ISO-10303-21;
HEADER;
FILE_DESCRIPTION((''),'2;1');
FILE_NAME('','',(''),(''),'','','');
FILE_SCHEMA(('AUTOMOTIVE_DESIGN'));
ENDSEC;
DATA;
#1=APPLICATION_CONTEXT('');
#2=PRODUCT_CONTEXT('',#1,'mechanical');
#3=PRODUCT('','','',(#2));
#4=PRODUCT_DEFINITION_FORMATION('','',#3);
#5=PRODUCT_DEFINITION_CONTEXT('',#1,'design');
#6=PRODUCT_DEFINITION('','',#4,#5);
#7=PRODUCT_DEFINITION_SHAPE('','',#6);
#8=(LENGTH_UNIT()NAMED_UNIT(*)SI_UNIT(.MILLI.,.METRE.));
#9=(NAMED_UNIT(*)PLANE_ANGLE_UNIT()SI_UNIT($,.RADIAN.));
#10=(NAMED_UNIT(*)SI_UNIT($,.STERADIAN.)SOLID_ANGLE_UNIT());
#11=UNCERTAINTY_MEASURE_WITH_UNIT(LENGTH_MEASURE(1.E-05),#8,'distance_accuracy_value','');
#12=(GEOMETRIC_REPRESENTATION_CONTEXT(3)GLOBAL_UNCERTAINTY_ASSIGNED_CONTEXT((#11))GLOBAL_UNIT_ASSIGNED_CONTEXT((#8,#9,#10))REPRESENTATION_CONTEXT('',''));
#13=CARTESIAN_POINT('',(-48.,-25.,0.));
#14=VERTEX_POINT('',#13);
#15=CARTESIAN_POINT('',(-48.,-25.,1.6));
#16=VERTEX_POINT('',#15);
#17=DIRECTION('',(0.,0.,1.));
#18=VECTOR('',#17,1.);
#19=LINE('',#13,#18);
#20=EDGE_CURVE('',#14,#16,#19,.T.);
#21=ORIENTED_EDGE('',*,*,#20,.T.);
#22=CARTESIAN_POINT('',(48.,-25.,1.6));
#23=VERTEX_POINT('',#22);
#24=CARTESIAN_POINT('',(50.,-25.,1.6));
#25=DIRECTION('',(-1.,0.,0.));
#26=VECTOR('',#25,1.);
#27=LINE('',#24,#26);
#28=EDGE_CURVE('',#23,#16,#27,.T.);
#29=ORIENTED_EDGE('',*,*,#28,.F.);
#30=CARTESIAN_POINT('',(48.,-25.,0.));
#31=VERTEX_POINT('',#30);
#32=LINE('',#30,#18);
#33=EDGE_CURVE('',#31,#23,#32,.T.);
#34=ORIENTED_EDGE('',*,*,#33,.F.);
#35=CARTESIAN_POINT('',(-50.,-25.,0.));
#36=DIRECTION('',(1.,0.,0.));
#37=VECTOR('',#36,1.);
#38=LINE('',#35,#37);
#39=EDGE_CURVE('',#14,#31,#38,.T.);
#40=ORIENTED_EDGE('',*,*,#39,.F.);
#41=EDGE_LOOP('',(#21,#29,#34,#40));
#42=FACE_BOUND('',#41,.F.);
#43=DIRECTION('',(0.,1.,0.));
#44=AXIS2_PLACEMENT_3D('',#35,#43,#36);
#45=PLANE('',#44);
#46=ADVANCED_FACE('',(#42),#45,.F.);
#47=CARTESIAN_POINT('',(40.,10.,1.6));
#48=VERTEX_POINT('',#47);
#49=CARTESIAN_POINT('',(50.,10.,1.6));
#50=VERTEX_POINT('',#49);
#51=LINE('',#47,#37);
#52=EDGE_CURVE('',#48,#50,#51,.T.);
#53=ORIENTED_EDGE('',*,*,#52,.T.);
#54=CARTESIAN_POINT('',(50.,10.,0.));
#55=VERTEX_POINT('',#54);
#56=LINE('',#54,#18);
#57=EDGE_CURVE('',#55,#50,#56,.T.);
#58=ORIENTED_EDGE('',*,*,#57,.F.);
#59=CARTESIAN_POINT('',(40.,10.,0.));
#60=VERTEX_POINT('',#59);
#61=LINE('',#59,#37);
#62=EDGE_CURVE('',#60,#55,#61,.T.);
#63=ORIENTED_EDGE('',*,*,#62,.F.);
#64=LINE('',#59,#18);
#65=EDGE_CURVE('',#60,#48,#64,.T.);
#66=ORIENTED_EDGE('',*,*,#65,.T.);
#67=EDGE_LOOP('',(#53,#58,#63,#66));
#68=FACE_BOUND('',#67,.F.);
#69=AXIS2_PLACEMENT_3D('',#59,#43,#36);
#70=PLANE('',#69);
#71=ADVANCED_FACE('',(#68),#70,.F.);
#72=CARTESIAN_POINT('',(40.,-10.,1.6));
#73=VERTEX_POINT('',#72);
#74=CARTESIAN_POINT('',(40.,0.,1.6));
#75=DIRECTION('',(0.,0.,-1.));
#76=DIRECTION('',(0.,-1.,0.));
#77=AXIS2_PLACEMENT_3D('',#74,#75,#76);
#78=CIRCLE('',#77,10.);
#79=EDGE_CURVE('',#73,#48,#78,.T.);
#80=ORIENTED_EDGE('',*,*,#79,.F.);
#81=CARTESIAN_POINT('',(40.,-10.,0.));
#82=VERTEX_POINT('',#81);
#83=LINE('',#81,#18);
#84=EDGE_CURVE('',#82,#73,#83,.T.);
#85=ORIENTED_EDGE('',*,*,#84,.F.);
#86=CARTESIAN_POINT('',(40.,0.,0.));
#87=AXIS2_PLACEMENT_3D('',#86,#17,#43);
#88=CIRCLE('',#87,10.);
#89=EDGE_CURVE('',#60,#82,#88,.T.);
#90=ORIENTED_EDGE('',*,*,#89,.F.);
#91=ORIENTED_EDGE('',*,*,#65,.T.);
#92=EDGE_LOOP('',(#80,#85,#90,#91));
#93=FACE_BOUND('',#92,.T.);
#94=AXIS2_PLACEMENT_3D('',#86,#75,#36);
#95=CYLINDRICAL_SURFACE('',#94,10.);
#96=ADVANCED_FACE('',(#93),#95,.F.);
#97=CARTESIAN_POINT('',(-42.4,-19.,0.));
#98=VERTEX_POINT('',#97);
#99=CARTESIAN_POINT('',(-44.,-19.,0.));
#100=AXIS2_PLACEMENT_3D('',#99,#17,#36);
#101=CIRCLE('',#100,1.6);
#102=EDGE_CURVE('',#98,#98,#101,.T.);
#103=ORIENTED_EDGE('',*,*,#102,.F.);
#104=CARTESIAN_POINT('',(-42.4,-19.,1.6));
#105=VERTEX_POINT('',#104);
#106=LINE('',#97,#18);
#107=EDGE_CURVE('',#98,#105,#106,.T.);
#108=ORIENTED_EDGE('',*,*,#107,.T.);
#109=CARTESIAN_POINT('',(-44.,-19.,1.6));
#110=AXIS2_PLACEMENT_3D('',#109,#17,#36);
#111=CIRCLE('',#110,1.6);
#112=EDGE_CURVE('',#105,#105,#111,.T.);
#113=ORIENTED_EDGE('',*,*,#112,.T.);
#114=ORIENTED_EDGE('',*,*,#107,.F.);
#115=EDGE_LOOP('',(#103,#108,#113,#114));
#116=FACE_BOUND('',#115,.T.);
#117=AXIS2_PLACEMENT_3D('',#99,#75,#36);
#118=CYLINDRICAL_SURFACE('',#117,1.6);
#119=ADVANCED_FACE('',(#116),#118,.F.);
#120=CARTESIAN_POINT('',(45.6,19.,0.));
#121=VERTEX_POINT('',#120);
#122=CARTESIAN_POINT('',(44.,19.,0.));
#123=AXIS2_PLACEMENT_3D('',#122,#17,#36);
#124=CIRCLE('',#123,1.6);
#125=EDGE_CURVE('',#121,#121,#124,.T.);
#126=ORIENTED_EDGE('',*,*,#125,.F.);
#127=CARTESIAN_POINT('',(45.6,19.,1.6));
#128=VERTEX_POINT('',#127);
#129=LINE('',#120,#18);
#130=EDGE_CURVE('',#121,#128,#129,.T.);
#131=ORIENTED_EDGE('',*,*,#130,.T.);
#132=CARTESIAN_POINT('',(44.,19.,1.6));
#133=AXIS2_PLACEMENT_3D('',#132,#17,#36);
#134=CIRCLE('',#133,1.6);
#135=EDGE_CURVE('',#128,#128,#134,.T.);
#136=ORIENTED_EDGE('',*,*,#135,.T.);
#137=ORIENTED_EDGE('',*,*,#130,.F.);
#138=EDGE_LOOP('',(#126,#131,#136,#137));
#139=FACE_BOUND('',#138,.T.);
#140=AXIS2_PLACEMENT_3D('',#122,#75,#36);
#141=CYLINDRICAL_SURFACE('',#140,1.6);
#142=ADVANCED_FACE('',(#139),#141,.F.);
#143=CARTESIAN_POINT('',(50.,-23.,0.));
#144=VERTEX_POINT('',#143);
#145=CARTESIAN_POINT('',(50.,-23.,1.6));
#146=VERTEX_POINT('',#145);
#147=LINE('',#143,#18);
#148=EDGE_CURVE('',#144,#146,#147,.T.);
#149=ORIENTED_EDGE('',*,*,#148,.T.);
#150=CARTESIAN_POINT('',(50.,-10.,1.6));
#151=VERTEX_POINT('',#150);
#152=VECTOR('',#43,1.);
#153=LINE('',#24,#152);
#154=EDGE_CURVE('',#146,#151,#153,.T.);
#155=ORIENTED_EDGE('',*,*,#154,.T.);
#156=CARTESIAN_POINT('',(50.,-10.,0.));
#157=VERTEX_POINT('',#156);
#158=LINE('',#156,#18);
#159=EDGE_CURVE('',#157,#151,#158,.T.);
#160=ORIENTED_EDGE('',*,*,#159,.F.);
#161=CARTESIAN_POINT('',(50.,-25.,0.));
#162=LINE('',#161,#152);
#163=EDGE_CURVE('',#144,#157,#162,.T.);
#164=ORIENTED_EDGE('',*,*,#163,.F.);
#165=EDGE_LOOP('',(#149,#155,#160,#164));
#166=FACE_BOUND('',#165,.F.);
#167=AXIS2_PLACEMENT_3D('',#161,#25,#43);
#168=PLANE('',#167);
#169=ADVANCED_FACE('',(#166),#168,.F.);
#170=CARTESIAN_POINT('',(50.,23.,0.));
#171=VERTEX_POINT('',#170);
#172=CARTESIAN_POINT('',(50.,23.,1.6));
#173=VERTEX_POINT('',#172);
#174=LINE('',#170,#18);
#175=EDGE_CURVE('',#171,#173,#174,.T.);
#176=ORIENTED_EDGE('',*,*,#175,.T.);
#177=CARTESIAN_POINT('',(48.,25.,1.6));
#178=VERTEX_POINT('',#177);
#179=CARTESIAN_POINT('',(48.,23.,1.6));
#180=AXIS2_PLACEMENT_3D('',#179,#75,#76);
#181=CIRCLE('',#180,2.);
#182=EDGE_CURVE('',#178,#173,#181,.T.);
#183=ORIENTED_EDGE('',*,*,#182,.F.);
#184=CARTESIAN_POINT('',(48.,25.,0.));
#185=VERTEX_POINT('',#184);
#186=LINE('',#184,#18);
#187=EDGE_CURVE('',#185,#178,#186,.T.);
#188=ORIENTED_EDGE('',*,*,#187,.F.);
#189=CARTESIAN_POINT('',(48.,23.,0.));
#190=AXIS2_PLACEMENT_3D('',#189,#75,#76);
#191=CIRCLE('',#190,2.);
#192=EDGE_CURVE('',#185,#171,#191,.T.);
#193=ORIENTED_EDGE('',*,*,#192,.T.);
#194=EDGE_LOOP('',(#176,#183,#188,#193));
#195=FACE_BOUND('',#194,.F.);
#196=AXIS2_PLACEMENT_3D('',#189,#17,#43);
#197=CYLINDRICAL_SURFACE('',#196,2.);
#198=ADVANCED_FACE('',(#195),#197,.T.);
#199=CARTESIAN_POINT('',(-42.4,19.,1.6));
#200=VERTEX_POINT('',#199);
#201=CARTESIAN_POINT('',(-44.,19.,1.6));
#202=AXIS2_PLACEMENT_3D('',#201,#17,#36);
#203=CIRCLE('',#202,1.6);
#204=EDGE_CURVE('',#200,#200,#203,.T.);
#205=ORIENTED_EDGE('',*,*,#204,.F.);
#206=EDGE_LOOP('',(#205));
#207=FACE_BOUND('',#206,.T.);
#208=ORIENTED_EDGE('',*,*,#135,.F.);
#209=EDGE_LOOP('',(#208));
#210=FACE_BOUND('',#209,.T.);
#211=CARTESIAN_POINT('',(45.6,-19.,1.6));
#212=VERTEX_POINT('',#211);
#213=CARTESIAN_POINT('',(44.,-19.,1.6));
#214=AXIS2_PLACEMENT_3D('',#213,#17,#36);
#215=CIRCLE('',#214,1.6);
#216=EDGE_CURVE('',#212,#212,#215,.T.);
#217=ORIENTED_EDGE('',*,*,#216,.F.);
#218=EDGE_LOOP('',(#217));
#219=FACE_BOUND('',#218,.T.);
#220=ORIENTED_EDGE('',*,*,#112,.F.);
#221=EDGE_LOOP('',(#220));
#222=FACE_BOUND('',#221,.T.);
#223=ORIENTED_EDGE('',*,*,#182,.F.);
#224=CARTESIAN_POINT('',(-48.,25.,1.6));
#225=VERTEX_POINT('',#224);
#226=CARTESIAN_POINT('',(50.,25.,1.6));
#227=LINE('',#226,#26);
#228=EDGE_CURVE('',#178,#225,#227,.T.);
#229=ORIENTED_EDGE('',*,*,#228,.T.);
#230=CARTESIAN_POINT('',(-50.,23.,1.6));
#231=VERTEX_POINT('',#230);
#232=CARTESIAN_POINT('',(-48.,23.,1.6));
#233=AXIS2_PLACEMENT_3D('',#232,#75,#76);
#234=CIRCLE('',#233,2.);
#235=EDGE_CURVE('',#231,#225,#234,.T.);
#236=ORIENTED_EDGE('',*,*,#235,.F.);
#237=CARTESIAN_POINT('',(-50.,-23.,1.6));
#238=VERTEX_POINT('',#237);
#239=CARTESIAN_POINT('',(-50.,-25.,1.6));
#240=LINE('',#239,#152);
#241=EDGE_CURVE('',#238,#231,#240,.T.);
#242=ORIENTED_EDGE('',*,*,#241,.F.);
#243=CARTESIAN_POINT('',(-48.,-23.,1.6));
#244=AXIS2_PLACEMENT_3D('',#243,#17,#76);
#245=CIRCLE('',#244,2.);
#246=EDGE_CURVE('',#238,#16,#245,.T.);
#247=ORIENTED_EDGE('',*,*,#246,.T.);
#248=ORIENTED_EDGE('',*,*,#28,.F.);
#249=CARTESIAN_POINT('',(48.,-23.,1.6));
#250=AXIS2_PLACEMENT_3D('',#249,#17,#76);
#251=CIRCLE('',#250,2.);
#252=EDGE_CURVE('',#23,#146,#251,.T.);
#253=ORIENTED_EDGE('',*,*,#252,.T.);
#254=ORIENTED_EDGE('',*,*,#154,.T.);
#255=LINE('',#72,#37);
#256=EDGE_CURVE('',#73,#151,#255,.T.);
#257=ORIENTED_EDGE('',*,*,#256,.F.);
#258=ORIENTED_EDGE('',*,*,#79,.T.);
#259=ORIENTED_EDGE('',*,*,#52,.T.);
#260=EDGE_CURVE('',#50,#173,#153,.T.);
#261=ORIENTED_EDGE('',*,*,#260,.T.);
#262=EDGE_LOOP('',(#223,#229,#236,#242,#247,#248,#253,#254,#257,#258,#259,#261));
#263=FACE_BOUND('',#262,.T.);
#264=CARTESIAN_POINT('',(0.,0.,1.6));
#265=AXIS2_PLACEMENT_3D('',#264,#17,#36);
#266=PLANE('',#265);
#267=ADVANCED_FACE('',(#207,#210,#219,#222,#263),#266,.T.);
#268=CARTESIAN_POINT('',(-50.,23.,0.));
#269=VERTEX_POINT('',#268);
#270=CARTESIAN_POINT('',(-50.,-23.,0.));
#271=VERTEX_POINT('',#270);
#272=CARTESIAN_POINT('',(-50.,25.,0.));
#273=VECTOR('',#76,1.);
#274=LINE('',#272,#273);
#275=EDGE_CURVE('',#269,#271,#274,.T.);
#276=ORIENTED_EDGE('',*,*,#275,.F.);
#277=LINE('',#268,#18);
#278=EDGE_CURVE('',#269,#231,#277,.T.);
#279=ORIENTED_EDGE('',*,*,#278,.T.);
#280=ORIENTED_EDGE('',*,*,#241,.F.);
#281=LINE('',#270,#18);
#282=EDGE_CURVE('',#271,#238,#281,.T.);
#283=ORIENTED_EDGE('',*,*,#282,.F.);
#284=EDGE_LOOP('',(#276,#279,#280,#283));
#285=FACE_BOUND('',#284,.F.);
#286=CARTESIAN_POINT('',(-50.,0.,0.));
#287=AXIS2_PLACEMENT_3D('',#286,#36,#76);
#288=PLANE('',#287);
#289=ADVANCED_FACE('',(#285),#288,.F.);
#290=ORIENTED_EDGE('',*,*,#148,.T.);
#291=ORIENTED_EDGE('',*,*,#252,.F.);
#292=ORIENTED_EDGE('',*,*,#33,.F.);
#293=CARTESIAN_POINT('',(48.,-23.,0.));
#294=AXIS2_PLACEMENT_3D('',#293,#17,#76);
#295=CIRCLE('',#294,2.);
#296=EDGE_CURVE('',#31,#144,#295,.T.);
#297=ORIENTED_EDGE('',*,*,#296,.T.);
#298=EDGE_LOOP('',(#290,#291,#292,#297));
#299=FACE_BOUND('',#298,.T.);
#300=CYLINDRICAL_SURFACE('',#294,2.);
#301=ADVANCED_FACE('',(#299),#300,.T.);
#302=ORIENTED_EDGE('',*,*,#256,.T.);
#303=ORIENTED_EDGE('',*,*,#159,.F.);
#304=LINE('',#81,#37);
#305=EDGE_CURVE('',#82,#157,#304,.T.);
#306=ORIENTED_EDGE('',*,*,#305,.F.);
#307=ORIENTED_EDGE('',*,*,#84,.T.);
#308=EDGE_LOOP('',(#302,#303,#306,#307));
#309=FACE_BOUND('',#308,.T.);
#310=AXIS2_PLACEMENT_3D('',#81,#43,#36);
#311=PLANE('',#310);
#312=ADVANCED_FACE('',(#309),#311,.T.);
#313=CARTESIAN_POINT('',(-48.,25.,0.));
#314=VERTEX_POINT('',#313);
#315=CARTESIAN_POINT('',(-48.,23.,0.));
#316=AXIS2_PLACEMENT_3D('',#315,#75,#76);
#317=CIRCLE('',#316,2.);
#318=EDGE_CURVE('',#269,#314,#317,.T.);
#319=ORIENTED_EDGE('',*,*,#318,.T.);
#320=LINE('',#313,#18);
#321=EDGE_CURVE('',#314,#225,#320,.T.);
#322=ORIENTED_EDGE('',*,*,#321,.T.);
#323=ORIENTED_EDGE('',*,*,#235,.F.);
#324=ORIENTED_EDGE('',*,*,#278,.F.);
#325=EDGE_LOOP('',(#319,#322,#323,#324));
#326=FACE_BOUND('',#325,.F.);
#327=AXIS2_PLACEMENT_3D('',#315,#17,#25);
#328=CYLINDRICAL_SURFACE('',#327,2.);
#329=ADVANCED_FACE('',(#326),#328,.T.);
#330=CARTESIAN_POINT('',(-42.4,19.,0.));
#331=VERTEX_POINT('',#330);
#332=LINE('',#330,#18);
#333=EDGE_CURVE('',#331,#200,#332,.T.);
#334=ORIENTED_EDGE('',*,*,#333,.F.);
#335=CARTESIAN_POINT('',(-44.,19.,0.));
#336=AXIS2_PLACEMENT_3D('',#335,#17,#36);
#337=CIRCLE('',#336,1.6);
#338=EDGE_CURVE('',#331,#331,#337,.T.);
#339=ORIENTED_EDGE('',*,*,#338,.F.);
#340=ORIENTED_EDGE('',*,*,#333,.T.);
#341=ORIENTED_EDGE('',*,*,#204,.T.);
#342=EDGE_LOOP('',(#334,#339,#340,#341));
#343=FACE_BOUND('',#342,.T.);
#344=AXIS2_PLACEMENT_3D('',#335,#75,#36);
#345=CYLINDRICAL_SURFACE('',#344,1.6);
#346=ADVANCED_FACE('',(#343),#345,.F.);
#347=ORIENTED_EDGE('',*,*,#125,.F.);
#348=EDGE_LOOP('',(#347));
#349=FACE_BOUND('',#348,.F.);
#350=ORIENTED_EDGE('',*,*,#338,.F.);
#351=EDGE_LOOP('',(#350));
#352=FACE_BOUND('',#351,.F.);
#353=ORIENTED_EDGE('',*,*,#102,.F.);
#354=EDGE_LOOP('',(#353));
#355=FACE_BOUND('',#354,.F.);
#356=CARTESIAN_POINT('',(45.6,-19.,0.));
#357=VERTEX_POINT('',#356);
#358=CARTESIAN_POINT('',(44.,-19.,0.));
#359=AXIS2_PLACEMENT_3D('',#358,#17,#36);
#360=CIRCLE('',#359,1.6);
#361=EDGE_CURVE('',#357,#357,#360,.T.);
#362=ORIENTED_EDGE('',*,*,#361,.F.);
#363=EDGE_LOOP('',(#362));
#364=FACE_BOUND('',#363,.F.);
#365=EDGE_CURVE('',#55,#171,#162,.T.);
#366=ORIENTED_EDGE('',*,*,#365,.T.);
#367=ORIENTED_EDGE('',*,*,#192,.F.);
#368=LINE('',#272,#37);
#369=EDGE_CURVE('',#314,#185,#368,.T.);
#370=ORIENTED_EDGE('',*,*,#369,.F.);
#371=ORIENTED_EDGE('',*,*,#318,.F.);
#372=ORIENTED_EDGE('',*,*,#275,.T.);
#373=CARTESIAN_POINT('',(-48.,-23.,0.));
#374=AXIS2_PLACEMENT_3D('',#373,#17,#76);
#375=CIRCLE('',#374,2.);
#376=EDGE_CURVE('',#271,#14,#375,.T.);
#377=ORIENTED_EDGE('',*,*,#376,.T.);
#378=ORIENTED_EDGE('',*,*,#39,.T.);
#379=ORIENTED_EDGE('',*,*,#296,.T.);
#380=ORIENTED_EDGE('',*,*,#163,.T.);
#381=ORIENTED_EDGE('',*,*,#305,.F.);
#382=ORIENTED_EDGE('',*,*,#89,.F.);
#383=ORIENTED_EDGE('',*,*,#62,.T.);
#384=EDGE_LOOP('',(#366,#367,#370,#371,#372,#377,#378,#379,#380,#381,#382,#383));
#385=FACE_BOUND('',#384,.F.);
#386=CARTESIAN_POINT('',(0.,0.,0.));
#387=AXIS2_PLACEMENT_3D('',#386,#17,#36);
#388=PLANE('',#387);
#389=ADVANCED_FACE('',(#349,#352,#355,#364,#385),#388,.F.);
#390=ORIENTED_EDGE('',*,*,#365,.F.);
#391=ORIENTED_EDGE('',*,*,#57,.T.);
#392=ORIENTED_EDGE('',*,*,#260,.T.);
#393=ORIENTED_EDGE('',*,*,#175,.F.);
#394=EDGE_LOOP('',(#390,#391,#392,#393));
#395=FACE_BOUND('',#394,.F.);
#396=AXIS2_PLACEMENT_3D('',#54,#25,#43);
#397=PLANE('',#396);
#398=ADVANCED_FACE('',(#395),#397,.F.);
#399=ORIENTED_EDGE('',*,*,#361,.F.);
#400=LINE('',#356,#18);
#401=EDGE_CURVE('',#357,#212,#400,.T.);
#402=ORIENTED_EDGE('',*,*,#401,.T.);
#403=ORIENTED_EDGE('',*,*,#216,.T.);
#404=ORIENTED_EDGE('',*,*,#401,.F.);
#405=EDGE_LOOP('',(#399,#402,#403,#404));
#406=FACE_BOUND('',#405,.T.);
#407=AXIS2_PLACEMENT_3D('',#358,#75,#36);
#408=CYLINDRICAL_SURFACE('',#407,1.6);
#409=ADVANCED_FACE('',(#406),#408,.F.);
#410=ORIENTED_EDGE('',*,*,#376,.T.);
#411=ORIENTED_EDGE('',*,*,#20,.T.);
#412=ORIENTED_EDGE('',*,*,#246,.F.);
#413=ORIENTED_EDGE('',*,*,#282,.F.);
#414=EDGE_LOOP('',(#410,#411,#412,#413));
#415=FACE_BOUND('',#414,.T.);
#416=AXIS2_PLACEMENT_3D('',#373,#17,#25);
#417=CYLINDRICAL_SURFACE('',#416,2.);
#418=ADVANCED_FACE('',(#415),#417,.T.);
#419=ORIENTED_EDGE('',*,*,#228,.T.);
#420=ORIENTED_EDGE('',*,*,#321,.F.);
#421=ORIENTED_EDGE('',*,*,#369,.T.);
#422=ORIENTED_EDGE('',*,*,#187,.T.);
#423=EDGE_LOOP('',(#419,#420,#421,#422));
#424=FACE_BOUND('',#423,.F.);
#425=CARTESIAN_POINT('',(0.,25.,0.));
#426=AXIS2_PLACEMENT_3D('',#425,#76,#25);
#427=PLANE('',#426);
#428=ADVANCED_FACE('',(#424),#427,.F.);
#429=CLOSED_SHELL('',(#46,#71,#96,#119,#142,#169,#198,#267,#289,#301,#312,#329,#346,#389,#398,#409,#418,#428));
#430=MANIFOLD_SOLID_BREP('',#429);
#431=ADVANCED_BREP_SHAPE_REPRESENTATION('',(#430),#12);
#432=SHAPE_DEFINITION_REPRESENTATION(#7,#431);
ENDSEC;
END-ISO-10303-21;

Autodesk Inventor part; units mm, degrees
ref_plane "YZ Plane" through (0, 0, 0) normal (1, 0, 0) x (0, 1, 0)
ref_plane "XZ Plane" through (0, 0, 0) normal (0, 1, 0) x (-1, 0, 0)
ref_plane "XY Plane" through (0, 0, 0) normal (0, 0, 1) x (1, 0, 0)
sketch "Sketch1" plane through (0, 0, 0) normal (0, 0, 1) x (1, 0, 0)
  line L0 (-50, -25) -> (50, -25)
  line L1 (50, -25) -> (50, 25)
  line L2 (50, 25) -> (-50, 25)
  line L3 (-50, 25) -> (-50, -25)
  line L4 (-50, -25) -> (50, 25) construction
  line L5 (50, -25) -> (-50, 25) construction
  circle A0 centre (44, 19) radius 1.6
  line L6 (0, 35.5799) -> (0, -35.5799) projected
  line L7 (-70.5799, 0) -> (70.5799, 0) projected
  circle A1 centre (44, 19) radius 5 construction
  circle A2 centre (-44, 19) radius 1.6
  circle A3 centre (-44, 19) radius 5 construction
  circle A4 centre (44, -19) radius 1.6
  circle A5 centre (44, -19) radius 5 construction
  circle A6 centre (-44, -19) radius 1.6
  circle A7 centre (-44, -19) radius 5 construction
  circle A8 centre (40, 0) radius 10
  line L8 (40, 10) -> (50, 10)
  line L9 (40, -10) -> (50, -10)
  point P0 (0, 0)
  dimension "d0" = 100
  dimension "d1" = 50
  dimension "d2" = 6
  dimension "d3" = 6
  dimension "d4" = 3.2
  dimension "d5" = 10
  dimension "d9" = 20
  dimension "d10" = 10
extrude "Extrusion1" add sketch "Sketch1" along normal blind 1.6 contours L3 L7 L6 L0 | L6 L7 A8 L9 L1 L0 | L3 L2 L6 L7 | L6 L2 L1 L8 A8 L7
fillet "Fillet1" radius 2 4 edges at (-50, 25, 0.8) (50, 25, 0.8) (50, -25, 0.8) (-50, -25, 0.8)
sketch "MCU_Power_PCB_Outline" plane through (0, 0, 1.6) normal (0, 0, 1) x (1, 0, 0)
  arc A0 (-50, -23) -> (-48, -25) centre (-48, -23) ccw projected
  line L0 (-48, -25) -> (48, -25) projected
  arc A1 (48, -25) -> (50, -23) centre (48, -23) ccw projected
  line L1 (50, -23) -> (50, -10) projected
  arc A2 (50, 23) -> (48, 25) centre (48, 23) ccw projected
  line L2 (48, 25) -> (-48, 25) projected
  arc A3 (-48, 25) -> (-50, 23) centre (-48, 23) ccw projected
  line L3 (-50, 23) -> (-50, -23) projected
  circle A4 centre (-44, -19) radius 1.6 projected
  circle A5 centre (44, -19) radius 1.6 projected
  circle A6 centre (44, 19) radius 1.6 projected
  circle A7 centre (-44, 19) radius 1.6 projected
  line L4 (50, -10) -> (40, -10) projected
  arc A8 (40, 10) -> (40, -10) centre (40, 0) ccw projected
  line L5 (40, 10) -> (50, 10) projected
  line L6 (50, 10) -> (50, 23) projected
  point P0 (0, 0)
equation "\"d3\" = d2"
properties part number "MCU_Power_PCB"
